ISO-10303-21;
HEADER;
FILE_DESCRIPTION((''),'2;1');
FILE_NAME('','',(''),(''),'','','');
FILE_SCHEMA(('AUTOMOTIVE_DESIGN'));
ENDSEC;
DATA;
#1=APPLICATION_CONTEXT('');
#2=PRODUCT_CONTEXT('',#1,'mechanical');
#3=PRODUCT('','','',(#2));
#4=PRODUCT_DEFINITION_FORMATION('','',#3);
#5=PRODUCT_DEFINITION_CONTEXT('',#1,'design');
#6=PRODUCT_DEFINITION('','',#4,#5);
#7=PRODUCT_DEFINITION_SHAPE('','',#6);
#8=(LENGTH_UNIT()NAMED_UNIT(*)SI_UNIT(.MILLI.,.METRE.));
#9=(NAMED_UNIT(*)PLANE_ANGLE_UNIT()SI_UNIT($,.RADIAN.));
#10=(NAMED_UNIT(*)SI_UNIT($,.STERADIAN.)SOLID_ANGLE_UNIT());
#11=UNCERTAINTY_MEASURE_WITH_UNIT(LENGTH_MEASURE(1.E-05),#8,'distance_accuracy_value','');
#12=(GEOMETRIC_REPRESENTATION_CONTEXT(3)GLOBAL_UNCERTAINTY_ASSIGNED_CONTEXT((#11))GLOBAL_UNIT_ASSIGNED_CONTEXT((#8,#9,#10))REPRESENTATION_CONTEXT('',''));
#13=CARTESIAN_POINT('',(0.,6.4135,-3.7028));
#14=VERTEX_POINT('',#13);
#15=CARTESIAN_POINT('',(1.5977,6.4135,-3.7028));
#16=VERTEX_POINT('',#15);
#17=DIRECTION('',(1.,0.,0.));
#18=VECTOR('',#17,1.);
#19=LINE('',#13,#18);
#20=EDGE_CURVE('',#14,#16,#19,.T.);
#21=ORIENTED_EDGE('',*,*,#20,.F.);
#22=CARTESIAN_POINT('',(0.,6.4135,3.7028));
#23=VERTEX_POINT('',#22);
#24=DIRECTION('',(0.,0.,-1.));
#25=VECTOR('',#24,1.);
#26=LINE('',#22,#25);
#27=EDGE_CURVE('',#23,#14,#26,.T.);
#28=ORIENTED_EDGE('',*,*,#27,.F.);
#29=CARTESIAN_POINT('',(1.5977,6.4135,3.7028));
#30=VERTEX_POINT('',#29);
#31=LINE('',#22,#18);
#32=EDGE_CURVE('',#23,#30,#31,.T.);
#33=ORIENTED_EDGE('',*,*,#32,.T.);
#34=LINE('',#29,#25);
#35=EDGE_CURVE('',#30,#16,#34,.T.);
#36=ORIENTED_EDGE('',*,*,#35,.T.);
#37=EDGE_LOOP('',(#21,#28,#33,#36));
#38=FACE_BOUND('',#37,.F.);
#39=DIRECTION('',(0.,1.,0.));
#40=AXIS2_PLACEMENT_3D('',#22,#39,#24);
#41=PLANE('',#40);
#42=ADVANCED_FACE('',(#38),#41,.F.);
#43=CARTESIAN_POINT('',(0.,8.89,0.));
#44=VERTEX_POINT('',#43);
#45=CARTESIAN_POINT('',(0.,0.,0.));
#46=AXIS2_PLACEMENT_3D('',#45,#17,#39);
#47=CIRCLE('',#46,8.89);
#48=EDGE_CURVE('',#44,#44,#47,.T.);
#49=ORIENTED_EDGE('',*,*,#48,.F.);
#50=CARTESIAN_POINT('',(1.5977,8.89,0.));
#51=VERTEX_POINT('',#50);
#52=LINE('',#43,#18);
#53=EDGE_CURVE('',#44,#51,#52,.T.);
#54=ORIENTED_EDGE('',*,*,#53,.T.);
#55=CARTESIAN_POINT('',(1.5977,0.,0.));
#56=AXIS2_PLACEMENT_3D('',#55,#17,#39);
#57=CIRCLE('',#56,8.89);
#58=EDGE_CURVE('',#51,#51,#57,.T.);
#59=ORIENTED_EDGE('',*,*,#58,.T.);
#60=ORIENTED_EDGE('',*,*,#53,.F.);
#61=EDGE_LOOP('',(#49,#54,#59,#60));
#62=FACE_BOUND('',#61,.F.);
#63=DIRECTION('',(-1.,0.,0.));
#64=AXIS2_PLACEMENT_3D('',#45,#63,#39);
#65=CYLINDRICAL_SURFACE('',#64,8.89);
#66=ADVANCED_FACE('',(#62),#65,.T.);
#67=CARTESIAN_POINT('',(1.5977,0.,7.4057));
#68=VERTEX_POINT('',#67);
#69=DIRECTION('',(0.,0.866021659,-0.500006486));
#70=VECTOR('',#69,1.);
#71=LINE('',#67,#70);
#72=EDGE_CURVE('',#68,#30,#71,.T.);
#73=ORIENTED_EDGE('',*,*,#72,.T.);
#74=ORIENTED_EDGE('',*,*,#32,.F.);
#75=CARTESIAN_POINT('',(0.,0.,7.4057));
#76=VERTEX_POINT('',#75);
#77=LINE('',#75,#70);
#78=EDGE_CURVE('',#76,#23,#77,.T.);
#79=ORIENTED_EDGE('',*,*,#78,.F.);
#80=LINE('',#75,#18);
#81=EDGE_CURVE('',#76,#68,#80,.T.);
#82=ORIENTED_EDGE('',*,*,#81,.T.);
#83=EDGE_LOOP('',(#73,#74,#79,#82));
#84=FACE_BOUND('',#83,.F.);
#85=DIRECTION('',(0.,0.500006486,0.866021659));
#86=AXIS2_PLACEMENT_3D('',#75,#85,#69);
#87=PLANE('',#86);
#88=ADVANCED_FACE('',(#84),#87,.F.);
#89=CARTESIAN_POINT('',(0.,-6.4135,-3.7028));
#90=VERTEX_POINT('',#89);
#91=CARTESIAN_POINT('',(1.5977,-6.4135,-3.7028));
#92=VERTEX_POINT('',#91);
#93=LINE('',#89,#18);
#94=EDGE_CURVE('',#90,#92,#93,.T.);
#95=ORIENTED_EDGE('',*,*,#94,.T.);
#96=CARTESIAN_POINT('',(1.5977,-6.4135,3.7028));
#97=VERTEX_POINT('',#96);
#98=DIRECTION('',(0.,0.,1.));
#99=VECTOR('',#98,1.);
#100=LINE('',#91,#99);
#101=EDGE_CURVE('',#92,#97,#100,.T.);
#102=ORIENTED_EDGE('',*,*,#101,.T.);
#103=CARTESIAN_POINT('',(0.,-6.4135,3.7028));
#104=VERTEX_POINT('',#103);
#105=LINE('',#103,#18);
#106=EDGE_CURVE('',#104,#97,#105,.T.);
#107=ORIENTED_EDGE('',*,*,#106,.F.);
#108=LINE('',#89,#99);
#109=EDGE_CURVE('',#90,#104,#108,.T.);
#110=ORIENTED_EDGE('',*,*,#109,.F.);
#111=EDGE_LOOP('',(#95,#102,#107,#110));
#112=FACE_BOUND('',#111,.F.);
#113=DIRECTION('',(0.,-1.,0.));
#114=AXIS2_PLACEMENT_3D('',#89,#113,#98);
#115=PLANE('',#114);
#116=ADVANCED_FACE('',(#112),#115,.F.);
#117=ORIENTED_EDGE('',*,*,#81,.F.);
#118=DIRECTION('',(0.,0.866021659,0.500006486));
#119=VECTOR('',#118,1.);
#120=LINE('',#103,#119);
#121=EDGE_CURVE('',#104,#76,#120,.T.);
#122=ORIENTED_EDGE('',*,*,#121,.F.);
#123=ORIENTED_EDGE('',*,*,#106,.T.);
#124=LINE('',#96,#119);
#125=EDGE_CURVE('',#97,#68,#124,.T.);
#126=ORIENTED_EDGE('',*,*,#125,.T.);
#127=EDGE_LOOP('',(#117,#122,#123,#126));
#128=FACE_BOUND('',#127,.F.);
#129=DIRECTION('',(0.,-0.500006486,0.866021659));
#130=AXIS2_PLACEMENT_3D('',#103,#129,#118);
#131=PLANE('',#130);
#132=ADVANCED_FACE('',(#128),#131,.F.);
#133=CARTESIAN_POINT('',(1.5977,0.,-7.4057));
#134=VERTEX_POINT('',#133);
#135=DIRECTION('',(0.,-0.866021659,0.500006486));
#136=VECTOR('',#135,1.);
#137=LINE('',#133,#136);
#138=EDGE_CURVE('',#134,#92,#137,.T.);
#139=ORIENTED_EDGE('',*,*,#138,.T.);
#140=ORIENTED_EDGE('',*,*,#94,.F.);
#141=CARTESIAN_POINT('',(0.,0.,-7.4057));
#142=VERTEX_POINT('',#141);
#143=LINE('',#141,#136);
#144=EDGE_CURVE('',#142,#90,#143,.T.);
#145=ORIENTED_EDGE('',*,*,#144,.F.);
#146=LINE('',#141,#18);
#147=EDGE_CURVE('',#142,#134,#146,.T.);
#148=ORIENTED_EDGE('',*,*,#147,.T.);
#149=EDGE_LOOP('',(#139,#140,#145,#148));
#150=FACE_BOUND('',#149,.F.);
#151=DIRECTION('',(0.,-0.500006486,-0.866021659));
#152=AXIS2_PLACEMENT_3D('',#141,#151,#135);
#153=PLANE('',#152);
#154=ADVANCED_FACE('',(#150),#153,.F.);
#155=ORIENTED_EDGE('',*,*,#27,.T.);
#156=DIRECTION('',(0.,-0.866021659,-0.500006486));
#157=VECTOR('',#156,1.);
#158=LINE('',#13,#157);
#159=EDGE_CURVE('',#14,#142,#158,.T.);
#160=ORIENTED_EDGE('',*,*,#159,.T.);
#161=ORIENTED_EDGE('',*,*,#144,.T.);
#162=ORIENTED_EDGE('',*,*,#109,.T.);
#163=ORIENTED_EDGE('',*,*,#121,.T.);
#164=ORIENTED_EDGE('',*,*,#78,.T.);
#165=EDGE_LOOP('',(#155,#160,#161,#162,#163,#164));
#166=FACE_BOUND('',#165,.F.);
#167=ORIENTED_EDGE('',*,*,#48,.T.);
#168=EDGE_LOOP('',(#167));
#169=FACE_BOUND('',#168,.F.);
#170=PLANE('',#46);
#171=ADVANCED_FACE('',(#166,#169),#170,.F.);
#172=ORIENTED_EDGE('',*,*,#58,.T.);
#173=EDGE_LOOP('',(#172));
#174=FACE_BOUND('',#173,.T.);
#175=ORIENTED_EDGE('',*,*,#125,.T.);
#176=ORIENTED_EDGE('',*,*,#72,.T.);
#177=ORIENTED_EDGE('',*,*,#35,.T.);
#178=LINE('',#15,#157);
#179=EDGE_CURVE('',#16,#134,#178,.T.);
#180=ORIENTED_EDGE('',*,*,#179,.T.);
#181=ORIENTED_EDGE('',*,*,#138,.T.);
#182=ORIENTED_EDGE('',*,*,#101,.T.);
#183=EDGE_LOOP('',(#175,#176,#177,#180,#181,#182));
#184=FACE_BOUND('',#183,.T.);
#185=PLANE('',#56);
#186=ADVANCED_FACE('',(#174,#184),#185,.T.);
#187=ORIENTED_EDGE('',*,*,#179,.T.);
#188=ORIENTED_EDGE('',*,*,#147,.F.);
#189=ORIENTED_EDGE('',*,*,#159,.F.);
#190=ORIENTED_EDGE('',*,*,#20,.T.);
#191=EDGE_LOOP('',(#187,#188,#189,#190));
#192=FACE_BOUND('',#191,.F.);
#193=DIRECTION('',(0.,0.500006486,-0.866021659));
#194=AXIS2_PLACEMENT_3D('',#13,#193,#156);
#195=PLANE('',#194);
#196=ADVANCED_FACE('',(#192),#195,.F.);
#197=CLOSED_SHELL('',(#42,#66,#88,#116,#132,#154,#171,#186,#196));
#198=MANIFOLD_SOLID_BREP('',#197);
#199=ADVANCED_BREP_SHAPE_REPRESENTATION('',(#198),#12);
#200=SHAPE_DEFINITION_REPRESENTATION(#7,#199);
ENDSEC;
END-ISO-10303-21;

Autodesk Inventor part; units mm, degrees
ref_plane "YZ Plane" through (0, 0, 0) normal (1, 0, 0) x (0, 1, 0)
ref_plane "XZ Plane" through (0, 0, 0) normal (0, 1, 0) x (-1, 0, 0)
ref_plane "XY Plane" through (0, 0, 0) normal (0, 0, 1) x (1, 0, 0)
sketch "Sketch1" plane through (0, 0, 0) normal (1, 0, 0) x (0, 1, 0)
  line L0 (-6.4135, -3.7028) -> (-6.4135, 3.7028)
  line L1 (-6.4135, 3.7028) -> (0, 7.4057)
  line L2 (0, 7.4057) -> (6.4135, 3.7028)
  line L3 (6.4135, 3.7028) -> (6.4135, -3.7028)
  line L4 (6.4135, -3.7028) -> (0, -7.4057)
  line L5 (0, -7.4057) -> (-6.4135, -3.7028)
  circle A0 centre (0, 0) radius 8.89
  dimension "d0" = 12.827
  dimension "d1" = 17.78
extrude "Extrusion1" add sketch "Sketch1" along normal blind 1.5977
properties part number "3DPRINT,BACKROLLERS,INTERROLLER,SPACER" material "ABS Plastic"
